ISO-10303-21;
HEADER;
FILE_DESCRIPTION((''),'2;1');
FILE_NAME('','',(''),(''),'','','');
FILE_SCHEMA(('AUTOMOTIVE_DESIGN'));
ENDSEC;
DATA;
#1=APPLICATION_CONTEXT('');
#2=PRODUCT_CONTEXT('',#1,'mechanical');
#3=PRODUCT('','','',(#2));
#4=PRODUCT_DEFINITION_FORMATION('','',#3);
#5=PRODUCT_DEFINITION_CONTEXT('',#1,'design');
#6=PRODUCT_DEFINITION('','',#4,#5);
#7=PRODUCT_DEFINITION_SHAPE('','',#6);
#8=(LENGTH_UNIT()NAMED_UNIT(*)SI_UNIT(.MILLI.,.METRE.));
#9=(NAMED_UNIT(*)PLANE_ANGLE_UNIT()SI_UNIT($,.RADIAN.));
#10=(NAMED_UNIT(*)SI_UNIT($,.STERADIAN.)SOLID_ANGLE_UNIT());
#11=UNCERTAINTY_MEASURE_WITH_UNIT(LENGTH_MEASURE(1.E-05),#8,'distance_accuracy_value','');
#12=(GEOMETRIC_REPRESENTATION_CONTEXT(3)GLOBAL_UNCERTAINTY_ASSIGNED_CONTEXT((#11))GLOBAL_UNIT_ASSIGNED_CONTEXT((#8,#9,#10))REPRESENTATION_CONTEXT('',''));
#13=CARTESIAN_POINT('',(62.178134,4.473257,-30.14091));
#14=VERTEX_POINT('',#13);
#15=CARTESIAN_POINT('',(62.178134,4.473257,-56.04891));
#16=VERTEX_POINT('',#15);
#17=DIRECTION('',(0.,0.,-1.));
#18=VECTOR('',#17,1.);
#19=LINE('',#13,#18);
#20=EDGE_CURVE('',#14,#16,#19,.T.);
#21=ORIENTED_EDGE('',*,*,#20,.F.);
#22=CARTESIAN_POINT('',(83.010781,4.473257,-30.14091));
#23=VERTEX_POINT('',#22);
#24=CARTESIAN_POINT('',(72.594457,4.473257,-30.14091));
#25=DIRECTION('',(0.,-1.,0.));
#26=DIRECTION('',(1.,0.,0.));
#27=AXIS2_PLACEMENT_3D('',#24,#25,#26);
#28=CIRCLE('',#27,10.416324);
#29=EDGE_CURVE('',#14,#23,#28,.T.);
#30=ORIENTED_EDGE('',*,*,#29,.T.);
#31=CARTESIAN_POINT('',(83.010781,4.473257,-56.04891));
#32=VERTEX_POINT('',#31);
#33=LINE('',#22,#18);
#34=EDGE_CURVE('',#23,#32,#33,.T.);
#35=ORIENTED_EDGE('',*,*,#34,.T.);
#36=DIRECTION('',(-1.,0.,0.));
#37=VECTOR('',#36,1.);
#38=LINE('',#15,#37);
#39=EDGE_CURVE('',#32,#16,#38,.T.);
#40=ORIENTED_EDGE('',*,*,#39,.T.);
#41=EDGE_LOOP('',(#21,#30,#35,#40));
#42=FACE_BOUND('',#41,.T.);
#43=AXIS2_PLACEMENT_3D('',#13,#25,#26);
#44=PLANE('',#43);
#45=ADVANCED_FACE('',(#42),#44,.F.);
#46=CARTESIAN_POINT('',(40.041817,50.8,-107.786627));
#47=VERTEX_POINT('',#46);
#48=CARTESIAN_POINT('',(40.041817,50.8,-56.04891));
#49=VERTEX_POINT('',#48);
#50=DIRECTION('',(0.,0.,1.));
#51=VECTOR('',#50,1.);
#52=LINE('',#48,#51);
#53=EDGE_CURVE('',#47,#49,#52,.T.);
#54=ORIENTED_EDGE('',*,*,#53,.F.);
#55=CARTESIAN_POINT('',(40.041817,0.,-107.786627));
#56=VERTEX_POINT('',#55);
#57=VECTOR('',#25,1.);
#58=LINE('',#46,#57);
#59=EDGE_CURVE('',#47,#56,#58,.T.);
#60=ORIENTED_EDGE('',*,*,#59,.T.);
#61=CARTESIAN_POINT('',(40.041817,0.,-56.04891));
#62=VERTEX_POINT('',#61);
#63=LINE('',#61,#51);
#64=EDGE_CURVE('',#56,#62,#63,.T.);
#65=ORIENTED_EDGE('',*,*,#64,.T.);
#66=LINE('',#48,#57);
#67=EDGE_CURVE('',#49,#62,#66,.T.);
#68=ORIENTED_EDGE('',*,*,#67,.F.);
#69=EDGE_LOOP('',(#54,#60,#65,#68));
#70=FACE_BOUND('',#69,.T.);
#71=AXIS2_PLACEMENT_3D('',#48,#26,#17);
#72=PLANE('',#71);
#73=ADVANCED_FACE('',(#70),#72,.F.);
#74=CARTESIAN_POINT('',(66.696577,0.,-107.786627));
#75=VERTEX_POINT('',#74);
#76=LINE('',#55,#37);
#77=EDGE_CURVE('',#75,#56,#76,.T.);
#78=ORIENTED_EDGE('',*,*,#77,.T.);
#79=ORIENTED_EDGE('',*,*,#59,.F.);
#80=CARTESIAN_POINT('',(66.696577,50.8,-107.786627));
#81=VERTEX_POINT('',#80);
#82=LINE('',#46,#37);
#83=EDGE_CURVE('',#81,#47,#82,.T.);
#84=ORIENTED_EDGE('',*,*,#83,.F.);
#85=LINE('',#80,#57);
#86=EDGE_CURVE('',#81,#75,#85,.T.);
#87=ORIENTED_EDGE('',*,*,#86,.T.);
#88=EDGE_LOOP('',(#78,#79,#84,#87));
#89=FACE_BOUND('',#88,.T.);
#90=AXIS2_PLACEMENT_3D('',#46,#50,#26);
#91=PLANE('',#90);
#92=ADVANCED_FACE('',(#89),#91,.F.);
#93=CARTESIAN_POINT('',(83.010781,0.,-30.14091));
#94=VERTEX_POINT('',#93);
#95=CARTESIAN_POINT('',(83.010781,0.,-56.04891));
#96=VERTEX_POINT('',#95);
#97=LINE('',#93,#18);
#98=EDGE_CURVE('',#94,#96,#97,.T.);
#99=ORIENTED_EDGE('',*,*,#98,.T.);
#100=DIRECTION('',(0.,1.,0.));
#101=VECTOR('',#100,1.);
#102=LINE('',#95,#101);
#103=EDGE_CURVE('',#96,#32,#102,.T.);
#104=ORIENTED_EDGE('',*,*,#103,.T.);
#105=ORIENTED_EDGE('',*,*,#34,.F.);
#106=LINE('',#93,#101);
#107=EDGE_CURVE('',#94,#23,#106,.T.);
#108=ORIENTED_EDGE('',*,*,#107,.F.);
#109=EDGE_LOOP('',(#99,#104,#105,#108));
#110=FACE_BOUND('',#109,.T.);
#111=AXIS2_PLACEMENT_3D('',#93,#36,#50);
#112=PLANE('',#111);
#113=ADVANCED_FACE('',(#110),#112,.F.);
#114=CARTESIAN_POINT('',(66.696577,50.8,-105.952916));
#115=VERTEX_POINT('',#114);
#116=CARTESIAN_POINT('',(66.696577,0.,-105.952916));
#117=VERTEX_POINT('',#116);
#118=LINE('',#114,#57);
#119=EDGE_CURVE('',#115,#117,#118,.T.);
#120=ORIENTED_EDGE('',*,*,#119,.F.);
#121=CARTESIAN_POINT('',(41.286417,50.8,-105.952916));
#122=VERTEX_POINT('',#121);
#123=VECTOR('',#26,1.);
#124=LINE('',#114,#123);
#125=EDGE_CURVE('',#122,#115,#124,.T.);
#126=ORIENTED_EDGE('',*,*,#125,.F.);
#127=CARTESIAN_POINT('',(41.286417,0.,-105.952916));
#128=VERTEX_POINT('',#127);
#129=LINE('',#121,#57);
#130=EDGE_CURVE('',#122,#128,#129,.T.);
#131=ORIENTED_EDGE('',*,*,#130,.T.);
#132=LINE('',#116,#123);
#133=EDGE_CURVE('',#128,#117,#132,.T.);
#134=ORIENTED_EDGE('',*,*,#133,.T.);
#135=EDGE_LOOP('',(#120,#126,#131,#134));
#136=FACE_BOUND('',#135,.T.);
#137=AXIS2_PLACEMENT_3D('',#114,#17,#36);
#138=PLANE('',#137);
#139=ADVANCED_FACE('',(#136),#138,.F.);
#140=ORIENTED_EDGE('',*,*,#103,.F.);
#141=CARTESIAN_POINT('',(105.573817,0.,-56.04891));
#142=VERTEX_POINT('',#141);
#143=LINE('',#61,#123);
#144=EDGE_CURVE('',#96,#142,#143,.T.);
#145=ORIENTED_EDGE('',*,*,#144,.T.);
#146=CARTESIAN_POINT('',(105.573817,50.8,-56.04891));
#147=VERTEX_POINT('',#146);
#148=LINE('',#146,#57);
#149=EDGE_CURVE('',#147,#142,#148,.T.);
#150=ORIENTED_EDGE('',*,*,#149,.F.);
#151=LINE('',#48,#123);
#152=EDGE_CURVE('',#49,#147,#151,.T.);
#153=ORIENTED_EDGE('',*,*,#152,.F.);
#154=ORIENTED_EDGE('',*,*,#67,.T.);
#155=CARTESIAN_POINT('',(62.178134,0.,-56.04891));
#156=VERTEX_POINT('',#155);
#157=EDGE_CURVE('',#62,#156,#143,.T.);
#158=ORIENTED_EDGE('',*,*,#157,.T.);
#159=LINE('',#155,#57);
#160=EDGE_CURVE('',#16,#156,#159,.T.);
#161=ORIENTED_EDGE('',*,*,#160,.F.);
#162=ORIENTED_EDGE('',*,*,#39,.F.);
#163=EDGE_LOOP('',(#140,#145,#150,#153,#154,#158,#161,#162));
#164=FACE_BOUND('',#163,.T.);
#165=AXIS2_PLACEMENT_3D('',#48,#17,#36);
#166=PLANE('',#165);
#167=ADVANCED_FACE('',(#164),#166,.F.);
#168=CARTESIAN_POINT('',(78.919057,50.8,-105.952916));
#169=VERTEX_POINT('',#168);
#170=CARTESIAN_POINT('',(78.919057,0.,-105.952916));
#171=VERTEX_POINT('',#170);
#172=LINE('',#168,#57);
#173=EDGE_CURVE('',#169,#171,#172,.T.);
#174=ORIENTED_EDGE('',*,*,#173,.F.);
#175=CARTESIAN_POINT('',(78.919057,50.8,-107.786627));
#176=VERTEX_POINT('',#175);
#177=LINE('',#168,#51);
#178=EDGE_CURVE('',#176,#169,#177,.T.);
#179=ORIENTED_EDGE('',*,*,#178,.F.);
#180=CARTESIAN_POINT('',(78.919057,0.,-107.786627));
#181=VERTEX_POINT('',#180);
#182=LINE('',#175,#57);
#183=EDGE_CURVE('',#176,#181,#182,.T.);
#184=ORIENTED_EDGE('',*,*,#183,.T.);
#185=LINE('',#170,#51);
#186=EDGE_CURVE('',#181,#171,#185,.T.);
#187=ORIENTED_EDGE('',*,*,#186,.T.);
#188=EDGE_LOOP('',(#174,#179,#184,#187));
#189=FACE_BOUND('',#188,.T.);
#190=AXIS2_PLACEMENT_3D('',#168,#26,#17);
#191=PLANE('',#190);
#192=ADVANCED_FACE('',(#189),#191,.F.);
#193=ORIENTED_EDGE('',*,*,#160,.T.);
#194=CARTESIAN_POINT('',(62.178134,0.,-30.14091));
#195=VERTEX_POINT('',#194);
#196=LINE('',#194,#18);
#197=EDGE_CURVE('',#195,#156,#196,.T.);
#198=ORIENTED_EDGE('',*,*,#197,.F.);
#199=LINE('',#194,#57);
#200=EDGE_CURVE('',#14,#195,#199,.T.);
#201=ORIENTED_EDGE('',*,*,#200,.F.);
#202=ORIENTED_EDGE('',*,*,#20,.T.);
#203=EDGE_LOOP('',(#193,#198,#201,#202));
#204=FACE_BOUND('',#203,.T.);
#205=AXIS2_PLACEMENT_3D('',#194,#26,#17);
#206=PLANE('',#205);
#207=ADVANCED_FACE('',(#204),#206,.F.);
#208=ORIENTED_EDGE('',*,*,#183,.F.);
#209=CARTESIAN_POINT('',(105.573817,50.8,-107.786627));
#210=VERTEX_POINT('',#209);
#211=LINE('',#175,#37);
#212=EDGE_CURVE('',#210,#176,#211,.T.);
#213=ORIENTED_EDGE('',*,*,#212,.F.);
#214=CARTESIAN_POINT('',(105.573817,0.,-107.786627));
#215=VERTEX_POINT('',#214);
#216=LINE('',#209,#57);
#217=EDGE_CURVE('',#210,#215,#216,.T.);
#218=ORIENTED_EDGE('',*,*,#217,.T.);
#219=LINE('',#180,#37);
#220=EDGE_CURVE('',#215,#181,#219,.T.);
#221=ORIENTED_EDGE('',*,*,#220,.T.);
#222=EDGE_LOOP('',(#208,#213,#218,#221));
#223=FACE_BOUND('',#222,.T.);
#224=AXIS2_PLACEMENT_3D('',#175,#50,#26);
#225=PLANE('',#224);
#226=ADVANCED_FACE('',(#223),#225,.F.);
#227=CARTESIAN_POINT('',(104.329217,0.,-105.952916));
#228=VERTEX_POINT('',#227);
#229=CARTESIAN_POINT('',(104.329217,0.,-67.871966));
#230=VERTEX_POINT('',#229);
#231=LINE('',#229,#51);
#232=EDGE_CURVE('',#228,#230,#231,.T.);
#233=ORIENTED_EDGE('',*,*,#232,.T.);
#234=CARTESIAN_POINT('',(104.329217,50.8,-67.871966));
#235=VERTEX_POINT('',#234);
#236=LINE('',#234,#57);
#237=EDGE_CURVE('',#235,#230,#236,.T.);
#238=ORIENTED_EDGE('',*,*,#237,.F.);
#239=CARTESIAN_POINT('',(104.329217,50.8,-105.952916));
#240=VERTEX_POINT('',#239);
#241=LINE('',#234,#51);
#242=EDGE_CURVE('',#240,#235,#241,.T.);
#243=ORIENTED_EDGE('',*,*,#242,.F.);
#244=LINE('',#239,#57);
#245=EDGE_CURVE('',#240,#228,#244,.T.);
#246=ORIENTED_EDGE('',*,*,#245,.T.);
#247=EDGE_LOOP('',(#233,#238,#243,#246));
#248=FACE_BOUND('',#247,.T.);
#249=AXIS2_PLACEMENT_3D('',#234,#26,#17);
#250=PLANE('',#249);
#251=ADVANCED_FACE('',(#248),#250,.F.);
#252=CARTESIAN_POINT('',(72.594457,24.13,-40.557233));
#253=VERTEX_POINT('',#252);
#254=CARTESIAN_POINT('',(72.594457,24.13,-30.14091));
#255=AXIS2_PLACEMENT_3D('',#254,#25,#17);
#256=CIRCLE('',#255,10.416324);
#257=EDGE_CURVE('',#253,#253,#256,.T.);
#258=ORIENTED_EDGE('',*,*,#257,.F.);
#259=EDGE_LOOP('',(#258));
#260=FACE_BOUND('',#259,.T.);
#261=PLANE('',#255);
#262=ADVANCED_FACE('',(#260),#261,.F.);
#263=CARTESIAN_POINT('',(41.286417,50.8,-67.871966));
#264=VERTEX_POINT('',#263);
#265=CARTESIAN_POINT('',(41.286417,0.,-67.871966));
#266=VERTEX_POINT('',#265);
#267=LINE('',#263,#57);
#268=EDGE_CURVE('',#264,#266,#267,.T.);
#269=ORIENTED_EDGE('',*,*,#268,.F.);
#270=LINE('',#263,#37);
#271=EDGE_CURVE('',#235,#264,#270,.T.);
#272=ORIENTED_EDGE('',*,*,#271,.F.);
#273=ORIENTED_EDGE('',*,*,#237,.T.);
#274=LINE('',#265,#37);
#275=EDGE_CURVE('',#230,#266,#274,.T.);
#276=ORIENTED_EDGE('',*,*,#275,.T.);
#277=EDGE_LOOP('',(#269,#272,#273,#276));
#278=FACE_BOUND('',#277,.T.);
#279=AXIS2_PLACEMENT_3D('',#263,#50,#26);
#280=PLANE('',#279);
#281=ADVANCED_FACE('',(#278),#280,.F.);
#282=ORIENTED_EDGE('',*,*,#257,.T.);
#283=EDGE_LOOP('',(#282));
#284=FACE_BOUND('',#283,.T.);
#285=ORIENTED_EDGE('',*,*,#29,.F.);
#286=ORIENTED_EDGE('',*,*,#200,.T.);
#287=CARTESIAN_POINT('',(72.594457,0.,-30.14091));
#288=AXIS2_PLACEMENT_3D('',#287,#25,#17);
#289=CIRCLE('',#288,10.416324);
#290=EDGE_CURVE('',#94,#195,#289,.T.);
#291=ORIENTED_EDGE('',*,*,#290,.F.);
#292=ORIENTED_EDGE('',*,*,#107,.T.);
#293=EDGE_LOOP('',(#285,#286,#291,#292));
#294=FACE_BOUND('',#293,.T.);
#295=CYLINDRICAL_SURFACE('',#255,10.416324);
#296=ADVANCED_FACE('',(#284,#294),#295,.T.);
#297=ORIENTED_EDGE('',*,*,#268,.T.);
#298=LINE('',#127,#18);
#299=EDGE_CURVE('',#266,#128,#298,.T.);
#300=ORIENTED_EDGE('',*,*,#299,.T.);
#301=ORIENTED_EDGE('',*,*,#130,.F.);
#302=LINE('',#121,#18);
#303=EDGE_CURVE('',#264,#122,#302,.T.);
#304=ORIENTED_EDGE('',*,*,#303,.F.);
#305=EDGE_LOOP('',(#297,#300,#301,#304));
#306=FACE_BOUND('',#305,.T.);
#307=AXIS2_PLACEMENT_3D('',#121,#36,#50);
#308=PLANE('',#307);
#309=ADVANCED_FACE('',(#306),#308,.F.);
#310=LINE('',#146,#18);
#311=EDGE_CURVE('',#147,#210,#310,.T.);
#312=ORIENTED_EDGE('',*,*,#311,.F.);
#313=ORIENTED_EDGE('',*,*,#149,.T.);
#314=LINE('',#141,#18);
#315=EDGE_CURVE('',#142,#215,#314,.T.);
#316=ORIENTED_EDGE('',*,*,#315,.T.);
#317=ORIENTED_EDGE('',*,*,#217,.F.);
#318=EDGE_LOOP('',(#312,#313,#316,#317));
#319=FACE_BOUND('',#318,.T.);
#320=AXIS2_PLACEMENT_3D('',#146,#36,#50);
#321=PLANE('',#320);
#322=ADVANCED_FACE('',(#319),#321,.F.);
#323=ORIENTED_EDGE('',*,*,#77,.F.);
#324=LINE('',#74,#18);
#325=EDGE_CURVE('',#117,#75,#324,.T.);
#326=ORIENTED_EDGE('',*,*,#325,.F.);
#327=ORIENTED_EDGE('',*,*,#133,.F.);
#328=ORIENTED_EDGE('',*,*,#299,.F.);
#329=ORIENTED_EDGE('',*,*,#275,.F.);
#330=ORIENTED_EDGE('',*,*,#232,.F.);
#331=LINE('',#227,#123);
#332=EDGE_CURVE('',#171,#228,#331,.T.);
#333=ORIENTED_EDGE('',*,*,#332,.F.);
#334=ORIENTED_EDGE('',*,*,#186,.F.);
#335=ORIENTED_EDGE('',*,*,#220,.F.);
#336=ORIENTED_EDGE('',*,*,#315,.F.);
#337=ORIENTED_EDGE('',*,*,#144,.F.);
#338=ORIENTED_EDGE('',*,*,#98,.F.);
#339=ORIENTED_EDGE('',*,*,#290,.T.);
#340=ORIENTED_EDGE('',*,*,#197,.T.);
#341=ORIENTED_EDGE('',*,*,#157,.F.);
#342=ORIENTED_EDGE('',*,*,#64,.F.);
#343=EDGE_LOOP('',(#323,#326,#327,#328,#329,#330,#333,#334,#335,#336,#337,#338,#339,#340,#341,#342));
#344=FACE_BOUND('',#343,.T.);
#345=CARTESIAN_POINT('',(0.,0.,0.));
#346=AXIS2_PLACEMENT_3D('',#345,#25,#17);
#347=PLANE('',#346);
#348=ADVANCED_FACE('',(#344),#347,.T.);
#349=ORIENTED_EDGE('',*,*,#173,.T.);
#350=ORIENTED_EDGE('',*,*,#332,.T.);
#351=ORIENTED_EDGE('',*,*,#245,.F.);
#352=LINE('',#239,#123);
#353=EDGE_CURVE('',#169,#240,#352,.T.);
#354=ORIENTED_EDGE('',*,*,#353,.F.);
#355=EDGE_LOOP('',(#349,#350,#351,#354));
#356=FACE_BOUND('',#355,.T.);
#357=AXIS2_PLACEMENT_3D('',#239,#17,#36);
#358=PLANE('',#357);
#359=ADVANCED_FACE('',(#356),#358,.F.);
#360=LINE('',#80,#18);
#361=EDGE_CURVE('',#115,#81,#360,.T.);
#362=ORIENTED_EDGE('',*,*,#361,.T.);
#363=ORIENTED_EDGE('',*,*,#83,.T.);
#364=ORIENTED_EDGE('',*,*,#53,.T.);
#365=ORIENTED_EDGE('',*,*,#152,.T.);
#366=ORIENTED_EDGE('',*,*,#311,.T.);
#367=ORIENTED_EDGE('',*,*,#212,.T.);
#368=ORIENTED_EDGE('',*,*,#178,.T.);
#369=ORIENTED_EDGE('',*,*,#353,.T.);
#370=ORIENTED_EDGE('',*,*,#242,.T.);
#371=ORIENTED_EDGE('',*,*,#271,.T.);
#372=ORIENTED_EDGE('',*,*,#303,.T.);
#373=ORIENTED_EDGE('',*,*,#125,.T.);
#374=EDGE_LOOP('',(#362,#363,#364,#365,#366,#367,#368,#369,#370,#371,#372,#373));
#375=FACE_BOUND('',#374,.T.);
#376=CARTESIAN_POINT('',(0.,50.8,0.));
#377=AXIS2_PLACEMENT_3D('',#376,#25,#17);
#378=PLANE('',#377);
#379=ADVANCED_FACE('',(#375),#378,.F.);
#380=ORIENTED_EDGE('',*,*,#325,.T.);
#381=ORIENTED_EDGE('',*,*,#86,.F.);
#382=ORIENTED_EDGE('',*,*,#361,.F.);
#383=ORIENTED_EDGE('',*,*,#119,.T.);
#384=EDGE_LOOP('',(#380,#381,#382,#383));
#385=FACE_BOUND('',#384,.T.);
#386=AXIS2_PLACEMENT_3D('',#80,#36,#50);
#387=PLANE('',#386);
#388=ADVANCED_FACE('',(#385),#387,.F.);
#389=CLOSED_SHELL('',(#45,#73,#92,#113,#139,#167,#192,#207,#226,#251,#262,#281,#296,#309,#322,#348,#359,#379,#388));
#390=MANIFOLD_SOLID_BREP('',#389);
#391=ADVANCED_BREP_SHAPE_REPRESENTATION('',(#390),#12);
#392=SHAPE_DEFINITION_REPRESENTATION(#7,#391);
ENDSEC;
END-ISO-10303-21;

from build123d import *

# Parameters (mm, degrees)
BOSS_EXTRUDE1_DEPTH = 50.8
SKETCH3_W           = 20.832647018
SKETCH3_H           = 4.473256697
BOSS_EXTRUDE2_DEPTH = 25.908
SKETCH5_R           = 10.416323509
BOSS_EXTRUDE3_DEPTH = 24.13


with BuildPart() as part:
    # Sketch2 → Boss-Extrude1 (new body)
    with BuildSketch(Plane(origin=(0, 0, 0), x_dir=(1, 0, 0), z_dir=(0, 1, 0))):
        Polygon((66.696577012, 107.786627361), (66.696577012, 105.952916401), (41.286417012, 105.952916401), (41.286417012, 67.871966401), (104.329217012, 67.871966401), (104.329217012, 105.952916401), (78.919057012, 105.952916401), (78.919057012, 107.786627361), (105.573817012, 107.786627361), (105.573817012, 56.048909831), (40.041817012, 56.048909831), (40.041817012, 107.786627361), align=None)
    extrude(amount=BOSS_EXTRUDE1_DEPTH)

    # Sketch3 → Boss-Extrude2 (add)
    with BuildSketch(Plane.XY.offset(-56.048909831)):
        with Locations((72.594457012, 2.236628349)):
            Rectangle(SKETCH3_W, SKETCH3_H)
    extrude(amount=BOSS_EXTRUDE2_DEPTH)

    # Sketch5 → Boss-Extrude3 (add)
    with BuildSketch(Plane.XZ):
        with Locations(Location((72.594457012, -30.140909831, 0), (0, 0, 270))):
            Circle(SKETCH5_R)
    extrude(amount=-BOSS_EXTRUDE3_DEPTH)


solid = part.part
